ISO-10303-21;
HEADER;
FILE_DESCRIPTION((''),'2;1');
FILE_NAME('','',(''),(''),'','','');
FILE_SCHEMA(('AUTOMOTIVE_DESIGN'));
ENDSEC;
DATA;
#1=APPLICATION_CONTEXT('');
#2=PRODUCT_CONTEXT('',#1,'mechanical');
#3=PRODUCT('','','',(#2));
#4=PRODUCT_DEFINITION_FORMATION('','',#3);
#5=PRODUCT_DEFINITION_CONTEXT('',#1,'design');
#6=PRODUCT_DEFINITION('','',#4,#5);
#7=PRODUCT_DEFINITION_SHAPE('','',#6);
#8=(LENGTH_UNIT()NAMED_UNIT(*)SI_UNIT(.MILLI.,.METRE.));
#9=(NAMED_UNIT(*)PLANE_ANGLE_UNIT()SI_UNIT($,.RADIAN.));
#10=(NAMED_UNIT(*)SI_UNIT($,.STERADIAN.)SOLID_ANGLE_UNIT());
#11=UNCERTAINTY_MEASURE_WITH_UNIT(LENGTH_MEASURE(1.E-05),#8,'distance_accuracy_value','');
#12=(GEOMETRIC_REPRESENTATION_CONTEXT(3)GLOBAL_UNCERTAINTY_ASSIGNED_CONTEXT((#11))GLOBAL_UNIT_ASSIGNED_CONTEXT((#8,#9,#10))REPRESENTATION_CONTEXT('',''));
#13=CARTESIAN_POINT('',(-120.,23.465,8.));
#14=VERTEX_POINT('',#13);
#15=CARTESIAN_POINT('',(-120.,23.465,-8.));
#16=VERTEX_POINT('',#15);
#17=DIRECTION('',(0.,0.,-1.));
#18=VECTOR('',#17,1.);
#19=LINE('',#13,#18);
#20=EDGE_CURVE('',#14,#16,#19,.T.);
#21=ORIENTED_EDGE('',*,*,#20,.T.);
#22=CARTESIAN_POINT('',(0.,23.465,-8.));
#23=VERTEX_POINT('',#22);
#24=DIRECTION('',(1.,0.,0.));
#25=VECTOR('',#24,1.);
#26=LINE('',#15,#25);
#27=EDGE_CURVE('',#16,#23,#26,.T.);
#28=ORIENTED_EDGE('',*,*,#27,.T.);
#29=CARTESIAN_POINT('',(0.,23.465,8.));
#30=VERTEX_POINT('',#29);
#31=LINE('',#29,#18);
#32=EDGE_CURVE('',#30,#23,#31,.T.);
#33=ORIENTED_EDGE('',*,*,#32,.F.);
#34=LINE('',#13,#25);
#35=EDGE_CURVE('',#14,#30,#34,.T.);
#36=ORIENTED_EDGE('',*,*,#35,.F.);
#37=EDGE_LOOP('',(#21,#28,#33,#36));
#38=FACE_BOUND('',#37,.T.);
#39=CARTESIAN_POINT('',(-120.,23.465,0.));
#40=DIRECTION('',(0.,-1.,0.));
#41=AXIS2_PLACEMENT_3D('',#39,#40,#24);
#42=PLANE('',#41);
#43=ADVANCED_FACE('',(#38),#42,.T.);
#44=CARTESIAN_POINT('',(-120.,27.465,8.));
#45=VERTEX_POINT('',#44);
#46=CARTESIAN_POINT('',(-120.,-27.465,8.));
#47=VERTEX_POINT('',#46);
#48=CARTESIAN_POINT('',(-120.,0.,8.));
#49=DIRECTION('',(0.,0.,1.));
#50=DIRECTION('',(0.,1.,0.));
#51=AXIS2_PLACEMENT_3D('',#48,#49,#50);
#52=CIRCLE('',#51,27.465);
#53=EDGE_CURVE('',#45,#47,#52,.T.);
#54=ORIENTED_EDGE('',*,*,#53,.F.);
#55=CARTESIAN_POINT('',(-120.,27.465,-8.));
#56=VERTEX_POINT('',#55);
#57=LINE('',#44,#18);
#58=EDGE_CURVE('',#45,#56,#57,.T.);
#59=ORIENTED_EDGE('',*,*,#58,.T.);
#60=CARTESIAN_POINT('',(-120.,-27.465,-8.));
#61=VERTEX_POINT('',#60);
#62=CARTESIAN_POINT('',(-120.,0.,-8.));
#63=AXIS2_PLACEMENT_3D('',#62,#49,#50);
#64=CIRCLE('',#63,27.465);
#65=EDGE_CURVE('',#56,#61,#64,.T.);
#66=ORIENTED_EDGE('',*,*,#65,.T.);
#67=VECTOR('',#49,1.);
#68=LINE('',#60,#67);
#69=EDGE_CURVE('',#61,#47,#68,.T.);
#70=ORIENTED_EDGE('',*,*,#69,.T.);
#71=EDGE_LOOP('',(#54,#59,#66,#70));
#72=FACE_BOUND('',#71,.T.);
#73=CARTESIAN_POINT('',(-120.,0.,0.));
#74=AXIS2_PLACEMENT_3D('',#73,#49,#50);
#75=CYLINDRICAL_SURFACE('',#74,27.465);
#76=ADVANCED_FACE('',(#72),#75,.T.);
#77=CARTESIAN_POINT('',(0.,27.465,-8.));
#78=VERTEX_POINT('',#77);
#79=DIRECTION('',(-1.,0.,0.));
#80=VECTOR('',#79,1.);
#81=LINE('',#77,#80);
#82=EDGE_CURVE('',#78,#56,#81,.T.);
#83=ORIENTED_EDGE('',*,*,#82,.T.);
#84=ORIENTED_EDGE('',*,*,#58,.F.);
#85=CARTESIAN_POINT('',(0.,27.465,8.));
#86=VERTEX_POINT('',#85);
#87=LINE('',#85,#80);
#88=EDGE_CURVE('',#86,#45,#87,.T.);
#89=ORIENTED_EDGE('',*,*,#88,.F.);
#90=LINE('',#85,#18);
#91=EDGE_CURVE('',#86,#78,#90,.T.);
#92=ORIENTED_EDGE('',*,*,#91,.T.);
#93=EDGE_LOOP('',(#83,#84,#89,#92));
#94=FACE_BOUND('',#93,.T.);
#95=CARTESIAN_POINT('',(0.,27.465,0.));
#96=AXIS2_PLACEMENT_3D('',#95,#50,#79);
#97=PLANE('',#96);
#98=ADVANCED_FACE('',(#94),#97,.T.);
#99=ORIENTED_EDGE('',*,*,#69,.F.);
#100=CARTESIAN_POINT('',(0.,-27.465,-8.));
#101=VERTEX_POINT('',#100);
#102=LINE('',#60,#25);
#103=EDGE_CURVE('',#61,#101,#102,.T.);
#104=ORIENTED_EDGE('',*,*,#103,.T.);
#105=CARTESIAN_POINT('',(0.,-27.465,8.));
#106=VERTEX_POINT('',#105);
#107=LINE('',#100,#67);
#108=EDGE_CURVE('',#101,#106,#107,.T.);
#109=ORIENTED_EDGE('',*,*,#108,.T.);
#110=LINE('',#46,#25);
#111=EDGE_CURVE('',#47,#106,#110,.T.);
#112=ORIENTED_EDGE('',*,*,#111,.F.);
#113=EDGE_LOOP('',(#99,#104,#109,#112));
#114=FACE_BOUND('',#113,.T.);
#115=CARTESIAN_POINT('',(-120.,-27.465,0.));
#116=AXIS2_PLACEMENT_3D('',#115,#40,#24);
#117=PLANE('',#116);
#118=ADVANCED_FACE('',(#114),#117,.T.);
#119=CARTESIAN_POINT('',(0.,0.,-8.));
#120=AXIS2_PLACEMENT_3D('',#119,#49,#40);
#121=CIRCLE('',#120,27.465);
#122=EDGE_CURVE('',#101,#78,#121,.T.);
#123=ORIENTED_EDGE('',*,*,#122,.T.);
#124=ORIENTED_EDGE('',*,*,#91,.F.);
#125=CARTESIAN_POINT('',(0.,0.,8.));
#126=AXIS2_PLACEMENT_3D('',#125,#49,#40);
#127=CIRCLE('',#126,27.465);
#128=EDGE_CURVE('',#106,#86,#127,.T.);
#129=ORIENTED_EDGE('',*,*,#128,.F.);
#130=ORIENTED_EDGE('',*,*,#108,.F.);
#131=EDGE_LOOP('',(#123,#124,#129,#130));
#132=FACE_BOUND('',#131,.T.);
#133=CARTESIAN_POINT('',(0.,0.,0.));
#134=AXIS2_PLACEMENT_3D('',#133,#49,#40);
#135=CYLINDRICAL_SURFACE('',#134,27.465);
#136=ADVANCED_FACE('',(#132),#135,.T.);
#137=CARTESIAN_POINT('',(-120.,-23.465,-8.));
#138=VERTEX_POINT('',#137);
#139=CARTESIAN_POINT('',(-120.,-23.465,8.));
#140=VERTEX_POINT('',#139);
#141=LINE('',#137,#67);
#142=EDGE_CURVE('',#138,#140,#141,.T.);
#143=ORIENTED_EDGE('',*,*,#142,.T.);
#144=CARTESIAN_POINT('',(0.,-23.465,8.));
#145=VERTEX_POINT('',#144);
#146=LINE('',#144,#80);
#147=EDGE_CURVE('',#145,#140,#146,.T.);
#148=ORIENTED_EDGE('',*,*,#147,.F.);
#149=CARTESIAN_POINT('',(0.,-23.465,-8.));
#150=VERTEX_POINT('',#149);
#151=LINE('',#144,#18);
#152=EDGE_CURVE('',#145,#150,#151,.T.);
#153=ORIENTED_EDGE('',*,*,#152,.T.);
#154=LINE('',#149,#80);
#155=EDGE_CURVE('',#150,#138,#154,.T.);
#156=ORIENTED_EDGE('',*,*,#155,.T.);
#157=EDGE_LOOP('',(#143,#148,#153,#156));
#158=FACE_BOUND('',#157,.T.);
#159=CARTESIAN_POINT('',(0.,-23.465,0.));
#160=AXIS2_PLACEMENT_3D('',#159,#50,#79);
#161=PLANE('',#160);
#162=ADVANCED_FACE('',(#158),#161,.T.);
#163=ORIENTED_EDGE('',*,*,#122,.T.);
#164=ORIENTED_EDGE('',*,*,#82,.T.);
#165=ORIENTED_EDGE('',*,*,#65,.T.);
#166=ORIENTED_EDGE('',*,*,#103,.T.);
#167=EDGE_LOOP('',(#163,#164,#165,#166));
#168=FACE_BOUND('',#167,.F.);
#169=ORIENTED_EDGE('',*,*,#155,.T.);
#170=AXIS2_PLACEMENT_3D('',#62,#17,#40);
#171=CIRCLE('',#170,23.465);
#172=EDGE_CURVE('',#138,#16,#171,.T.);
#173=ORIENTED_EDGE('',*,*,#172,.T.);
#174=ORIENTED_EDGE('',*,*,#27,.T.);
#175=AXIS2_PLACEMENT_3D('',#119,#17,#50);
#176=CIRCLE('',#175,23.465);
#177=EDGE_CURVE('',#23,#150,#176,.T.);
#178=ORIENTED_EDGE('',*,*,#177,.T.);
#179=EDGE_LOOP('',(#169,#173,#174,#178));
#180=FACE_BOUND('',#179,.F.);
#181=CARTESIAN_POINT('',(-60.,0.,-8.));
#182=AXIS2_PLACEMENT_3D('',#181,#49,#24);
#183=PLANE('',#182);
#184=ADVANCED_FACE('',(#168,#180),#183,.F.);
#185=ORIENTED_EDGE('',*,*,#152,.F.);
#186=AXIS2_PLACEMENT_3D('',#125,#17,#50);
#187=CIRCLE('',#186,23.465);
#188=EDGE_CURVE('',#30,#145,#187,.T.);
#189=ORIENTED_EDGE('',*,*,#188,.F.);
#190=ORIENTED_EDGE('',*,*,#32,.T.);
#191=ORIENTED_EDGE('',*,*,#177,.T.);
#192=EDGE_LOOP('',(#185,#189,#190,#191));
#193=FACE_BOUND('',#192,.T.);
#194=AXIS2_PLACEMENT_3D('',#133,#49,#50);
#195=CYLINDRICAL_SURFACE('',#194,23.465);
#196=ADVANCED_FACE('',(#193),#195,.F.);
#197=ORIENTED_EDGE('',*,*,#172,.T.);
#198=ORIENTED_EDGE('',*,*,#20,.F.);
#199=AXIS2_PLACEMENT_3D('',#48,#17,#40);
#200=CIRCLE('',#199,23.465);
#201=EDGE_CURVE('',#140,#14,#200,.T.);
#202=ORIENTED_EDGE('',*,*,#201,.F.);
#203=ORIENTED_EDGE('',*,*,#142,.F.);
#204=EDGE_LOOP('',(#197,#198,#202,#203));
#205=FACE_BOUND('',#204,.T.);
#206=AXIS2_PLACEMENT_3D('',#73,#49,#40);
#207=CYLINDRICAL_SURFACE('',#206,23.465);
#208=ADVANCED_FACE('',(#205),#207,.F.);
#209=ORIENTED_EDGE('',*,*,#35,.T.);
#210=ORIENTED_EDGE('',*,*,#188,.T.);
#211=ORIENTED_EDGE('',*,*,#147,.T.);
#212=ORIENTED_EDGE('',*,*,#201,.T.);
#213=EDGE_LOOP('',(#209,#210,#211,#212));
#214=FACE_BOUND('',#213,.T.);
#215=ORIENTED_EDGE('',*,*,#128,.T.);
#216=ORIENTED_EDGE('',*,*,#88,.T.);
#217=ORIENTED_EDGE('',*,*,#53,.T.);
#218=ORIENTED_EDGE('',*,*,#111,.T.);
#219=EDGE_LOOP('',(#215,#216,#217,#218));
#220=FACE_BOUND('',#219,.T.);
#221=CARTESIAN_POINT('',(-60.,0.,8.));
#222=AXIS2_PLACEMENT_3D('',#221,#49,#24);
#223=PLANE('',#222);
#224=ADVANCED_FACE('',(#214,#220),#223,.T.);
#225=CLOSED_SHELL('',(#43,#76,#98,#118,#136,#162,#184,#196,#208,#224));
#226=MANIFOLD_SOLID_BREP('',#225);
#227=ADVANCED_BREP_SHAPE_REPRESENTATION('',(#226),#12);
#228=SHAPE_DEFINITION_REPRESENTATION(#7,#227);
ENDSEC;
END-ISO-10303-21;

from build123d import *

# Parameters (mm, degrees)
F1_DEPTH = 8


with BuildPart() as f1:
    # F0 (on Top) → F1 (new body, symmetric)
    with BuildSketch(Plane.XY):
        with BuildLine():
            ThreePointArc((-120, 27.465), (-147.465, 0), (-120, -27.465))
            Line((-120, -27.465), (0, -27.465))
            ThreePointArc((0, -27.465), (27.465, 0), (0, 27.465))
            Line((0, 27.465), (-120, 27.465))
        make_face()
        with BuildLine():
            ThreePointArc((-120, -23.465), (-143.465, 0), (-120, 23.465))
            Line((-120, 23.465), (0, 23.465))
            ThreePointArc((0, 23.465), (23.465, 0), (0, -23.465))
            Line((0, -23.465), (-120, -23.465))
        make_face(mode=Mode.SUBTRACT)
    extrude(amount=F1_DEPTH, both=True)


solid = f1.part
